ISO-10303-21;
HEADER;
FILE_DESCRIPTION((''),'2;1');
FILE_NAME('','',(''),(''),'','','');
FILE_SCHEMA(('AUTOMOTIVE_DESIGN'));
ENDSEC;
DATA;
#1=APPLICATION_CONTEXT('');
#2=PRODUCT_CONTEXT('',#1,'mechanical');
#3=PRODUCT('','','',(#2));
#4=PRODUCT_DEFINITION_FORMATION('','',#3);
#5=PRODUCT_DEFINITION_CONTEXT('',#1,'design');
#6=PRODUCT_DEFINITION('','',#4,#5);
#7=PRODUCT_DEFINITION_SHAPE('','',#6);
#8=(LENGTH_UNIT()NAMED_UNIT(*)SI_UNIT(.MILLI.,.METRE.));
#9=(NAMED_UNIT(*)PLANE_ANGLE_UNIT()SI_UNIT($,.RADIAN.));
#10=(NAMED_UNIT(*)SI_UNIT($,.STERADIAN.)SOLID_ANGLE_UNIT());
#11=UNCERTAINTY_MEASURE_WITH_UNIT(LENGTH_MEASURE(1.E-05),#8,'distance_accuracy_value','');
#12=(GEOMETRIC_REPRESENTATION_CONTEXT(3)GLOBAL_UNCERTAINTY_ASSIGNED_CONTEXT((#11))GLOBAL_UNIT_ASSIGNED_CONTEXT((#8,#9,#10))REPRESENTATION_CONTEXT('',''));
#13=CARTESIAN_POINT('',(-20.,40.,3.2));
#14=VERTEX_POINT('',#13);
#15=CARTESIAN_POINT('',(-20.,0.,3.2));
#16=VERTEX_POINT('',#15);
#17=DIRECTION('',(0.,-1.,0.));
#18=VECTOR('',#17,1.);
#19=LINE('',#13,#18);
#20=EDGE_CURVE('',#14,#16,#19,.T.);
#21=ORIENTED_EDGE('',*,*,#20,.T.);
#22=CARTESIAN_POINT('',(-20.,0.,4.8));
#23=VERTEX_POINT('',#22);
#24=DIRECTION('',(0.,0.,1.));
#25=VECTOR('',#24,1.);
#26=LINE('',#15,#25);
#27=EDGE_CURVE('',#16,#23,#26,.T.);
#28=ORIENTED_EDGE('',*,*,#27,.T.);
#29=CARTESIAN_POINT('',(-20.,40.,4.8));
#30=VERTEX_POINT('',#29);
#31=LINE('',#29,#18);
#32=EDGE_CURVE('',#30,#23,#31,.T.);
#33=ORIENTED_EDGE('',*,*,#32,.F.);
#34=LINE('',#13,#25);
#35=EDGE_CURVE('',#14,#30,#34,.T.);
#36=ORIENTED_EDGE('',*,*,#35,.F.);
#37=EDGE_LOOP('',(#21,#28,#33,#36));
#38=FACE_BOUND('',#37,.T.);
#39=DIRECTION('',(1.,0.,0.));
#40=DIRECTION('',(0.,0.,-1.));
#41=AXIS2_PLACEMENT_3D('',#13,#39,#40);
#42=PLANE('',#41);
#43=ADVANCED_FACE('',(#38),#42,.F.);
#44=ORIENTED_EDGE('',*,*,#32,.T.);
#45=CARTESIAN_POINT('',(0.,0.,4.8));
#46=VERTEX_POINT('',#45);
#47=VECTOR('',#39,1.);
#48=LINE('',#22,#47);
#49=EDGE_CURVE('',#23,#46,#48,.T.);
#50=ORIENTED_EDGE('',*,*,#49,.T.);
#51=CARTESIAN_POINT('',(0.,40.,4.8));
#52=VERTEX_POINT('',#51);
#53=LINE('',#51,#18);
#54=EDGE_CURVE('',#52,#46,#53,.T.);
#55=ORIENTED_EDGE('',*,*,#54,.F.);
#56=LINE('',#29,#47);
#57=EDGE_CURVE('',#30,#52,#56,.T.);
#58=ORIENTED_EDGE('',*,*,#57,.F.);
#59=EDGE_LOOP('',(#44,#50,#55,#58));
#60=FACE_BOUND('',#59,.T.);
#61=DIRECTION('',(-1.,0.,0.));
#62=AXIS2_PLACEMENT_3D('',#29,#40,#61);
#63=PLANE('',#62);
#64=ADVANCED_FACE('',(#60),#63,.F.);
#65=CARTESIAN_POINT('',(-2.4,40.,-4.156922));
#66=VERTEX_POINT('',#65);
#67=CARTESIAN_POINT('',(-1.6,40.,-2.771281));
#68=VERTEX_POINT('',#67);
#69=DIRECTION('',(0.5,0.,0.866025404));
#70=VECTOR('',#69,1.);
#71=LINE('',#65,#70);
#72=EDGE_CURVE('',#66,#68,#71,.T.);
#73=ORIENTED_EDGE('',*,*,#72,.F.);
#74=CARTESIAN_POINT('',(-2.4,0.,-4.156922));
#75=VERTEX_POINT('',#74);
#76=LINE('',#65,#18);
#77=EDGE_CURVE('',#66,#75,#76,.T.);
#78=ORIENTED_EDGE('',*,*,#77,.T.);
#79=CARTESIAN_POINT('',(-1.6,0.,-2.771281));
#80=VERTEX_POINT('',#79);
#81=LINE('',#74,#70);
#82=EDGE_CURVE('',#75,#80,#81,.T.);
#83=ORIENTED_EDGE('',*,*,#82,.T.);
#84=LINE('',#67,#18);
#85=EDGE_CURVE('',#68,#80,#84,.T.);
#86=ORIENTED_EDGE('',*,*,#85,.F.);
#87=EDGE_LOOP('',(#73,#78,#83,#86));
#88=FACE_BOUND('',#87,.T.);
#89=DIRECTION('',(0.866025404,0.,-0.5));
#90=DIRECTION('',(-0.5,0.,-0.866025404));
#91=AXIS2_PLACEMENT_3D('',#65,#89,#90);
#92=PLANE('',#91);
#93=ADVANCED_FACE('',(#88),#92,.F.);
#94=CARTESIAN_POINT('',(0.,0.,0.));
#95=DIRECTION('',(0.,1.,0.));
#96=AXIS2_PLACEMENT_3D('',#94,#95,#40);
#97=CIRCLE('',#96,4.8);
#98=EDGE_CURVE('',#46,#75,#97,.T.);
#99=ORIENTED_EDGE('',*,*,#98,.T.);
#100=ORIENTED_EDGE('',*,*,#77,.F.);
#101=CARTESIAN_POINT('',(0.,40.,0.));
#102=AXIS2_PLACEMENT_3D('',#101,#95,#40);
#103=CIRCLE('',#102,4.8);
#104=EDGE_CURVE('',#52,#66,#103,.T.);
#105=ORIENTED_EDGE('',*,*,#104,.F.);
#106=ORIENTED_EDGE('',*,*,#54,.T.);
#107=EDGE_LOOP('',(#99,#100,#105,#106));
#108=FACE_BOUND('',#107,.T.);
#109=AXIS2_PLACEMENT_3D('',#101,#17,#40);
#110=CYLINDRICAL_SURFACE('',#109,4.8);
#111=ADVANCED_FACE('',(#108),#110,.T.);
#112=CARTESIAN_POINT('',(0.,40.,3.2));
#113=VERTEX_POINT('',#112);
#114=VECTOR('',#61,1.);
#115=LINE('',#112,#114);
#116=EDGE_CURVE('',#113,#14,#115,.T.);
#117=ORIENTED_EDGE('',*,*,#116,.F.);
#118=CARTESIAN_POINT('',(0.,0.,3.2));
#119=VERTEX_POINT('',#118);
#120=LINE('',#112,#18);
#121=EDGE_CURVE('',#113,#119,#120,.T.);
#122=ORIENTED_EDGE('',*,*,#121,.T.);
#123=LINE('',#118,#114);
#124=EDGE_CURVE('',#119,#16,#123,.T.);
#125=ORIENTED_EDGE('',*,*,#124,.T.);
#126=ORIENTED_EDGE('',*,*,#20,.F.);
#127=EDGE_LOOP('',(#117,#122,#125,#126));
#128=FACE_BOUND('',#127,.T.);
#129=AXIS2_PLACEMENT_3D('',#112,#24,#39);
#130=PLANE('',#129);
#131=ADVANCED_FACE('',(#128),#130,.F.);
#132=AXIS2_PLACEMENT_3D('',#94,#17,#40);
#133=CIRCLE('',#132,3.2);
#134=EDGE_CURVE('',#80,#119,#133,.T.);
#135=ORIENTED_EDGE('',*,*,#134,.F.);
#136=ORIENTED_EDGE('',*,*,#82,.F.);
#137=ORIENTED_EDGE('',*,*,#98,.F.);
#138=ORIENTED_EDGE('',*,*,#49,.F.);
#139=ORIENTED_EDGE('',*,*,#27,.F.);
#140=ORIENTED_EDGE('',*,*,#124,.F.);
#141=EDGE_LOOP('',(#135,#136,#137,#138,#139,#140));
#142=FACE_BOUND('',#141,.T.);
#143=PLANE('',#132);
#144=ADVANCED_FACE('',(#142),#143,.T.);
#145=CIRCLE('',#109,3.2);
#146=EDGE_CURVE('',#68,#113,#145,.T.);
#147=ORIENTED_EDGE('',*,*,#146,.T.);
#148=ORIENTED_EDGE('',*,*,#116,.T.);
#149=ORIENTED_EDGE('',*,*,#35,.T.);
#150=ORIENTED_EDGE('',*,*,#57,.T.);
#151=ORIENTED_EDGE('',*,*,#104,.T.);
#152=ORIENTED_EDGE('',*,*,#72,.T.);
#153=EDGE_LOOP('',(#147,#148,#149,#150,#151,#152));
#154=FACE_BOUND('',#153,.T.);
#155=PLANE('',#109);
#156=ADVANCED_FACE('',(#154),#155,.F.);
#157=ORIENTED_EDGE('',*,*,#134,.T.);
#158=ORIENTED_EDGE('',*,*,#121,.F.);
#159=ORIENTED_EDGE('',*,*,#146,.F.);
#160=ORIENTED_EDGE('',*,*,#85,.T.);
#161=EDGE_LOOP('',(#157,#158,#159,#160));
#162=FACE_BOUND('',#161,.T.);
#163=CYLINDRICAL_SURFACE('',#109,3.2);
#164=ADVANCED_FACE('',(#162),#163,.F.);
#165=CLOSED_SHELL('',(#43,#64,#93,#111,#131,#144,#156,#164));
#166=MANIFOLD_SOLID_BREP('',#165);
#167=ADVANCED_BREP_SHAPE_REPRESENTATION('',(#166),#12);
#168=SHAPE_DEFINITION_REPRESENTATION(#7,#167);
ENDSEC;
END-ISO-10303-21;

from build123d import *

# Parameters (mm, degrees)
BOSS_EXTRUDE1_DEPTH = 40


with BuildPart() as part:
    # Sketch1 → Boss-Extrude1 (new body)
    with BuildSketch(Plane(origin=(0, 0, 0), x_dir=(1, 0, 0), z_dir=(0, 1, 0))):
        with BuildLine():
            Line((0, -3.2), (-20, -3.2))
            Line((-20, -3.2), (-20, -4.8))
            Line((-20, -4.8), (0, -4.8))
            ThreePointArc((0, -4.8), (4.636443966, 1.242331416), (-2.4, 4.156921938))
            Line((-2.4, 4.156921938), (-1.6, 2.771281292))
            ThreePointArc((-1.6, 2.771281292), (3.090962644, 0.828220944), (0, -3.2))
        make_face()
    extrude(amount=BOSS_EXTRUDE1_DEPTH)


solid = part.part
